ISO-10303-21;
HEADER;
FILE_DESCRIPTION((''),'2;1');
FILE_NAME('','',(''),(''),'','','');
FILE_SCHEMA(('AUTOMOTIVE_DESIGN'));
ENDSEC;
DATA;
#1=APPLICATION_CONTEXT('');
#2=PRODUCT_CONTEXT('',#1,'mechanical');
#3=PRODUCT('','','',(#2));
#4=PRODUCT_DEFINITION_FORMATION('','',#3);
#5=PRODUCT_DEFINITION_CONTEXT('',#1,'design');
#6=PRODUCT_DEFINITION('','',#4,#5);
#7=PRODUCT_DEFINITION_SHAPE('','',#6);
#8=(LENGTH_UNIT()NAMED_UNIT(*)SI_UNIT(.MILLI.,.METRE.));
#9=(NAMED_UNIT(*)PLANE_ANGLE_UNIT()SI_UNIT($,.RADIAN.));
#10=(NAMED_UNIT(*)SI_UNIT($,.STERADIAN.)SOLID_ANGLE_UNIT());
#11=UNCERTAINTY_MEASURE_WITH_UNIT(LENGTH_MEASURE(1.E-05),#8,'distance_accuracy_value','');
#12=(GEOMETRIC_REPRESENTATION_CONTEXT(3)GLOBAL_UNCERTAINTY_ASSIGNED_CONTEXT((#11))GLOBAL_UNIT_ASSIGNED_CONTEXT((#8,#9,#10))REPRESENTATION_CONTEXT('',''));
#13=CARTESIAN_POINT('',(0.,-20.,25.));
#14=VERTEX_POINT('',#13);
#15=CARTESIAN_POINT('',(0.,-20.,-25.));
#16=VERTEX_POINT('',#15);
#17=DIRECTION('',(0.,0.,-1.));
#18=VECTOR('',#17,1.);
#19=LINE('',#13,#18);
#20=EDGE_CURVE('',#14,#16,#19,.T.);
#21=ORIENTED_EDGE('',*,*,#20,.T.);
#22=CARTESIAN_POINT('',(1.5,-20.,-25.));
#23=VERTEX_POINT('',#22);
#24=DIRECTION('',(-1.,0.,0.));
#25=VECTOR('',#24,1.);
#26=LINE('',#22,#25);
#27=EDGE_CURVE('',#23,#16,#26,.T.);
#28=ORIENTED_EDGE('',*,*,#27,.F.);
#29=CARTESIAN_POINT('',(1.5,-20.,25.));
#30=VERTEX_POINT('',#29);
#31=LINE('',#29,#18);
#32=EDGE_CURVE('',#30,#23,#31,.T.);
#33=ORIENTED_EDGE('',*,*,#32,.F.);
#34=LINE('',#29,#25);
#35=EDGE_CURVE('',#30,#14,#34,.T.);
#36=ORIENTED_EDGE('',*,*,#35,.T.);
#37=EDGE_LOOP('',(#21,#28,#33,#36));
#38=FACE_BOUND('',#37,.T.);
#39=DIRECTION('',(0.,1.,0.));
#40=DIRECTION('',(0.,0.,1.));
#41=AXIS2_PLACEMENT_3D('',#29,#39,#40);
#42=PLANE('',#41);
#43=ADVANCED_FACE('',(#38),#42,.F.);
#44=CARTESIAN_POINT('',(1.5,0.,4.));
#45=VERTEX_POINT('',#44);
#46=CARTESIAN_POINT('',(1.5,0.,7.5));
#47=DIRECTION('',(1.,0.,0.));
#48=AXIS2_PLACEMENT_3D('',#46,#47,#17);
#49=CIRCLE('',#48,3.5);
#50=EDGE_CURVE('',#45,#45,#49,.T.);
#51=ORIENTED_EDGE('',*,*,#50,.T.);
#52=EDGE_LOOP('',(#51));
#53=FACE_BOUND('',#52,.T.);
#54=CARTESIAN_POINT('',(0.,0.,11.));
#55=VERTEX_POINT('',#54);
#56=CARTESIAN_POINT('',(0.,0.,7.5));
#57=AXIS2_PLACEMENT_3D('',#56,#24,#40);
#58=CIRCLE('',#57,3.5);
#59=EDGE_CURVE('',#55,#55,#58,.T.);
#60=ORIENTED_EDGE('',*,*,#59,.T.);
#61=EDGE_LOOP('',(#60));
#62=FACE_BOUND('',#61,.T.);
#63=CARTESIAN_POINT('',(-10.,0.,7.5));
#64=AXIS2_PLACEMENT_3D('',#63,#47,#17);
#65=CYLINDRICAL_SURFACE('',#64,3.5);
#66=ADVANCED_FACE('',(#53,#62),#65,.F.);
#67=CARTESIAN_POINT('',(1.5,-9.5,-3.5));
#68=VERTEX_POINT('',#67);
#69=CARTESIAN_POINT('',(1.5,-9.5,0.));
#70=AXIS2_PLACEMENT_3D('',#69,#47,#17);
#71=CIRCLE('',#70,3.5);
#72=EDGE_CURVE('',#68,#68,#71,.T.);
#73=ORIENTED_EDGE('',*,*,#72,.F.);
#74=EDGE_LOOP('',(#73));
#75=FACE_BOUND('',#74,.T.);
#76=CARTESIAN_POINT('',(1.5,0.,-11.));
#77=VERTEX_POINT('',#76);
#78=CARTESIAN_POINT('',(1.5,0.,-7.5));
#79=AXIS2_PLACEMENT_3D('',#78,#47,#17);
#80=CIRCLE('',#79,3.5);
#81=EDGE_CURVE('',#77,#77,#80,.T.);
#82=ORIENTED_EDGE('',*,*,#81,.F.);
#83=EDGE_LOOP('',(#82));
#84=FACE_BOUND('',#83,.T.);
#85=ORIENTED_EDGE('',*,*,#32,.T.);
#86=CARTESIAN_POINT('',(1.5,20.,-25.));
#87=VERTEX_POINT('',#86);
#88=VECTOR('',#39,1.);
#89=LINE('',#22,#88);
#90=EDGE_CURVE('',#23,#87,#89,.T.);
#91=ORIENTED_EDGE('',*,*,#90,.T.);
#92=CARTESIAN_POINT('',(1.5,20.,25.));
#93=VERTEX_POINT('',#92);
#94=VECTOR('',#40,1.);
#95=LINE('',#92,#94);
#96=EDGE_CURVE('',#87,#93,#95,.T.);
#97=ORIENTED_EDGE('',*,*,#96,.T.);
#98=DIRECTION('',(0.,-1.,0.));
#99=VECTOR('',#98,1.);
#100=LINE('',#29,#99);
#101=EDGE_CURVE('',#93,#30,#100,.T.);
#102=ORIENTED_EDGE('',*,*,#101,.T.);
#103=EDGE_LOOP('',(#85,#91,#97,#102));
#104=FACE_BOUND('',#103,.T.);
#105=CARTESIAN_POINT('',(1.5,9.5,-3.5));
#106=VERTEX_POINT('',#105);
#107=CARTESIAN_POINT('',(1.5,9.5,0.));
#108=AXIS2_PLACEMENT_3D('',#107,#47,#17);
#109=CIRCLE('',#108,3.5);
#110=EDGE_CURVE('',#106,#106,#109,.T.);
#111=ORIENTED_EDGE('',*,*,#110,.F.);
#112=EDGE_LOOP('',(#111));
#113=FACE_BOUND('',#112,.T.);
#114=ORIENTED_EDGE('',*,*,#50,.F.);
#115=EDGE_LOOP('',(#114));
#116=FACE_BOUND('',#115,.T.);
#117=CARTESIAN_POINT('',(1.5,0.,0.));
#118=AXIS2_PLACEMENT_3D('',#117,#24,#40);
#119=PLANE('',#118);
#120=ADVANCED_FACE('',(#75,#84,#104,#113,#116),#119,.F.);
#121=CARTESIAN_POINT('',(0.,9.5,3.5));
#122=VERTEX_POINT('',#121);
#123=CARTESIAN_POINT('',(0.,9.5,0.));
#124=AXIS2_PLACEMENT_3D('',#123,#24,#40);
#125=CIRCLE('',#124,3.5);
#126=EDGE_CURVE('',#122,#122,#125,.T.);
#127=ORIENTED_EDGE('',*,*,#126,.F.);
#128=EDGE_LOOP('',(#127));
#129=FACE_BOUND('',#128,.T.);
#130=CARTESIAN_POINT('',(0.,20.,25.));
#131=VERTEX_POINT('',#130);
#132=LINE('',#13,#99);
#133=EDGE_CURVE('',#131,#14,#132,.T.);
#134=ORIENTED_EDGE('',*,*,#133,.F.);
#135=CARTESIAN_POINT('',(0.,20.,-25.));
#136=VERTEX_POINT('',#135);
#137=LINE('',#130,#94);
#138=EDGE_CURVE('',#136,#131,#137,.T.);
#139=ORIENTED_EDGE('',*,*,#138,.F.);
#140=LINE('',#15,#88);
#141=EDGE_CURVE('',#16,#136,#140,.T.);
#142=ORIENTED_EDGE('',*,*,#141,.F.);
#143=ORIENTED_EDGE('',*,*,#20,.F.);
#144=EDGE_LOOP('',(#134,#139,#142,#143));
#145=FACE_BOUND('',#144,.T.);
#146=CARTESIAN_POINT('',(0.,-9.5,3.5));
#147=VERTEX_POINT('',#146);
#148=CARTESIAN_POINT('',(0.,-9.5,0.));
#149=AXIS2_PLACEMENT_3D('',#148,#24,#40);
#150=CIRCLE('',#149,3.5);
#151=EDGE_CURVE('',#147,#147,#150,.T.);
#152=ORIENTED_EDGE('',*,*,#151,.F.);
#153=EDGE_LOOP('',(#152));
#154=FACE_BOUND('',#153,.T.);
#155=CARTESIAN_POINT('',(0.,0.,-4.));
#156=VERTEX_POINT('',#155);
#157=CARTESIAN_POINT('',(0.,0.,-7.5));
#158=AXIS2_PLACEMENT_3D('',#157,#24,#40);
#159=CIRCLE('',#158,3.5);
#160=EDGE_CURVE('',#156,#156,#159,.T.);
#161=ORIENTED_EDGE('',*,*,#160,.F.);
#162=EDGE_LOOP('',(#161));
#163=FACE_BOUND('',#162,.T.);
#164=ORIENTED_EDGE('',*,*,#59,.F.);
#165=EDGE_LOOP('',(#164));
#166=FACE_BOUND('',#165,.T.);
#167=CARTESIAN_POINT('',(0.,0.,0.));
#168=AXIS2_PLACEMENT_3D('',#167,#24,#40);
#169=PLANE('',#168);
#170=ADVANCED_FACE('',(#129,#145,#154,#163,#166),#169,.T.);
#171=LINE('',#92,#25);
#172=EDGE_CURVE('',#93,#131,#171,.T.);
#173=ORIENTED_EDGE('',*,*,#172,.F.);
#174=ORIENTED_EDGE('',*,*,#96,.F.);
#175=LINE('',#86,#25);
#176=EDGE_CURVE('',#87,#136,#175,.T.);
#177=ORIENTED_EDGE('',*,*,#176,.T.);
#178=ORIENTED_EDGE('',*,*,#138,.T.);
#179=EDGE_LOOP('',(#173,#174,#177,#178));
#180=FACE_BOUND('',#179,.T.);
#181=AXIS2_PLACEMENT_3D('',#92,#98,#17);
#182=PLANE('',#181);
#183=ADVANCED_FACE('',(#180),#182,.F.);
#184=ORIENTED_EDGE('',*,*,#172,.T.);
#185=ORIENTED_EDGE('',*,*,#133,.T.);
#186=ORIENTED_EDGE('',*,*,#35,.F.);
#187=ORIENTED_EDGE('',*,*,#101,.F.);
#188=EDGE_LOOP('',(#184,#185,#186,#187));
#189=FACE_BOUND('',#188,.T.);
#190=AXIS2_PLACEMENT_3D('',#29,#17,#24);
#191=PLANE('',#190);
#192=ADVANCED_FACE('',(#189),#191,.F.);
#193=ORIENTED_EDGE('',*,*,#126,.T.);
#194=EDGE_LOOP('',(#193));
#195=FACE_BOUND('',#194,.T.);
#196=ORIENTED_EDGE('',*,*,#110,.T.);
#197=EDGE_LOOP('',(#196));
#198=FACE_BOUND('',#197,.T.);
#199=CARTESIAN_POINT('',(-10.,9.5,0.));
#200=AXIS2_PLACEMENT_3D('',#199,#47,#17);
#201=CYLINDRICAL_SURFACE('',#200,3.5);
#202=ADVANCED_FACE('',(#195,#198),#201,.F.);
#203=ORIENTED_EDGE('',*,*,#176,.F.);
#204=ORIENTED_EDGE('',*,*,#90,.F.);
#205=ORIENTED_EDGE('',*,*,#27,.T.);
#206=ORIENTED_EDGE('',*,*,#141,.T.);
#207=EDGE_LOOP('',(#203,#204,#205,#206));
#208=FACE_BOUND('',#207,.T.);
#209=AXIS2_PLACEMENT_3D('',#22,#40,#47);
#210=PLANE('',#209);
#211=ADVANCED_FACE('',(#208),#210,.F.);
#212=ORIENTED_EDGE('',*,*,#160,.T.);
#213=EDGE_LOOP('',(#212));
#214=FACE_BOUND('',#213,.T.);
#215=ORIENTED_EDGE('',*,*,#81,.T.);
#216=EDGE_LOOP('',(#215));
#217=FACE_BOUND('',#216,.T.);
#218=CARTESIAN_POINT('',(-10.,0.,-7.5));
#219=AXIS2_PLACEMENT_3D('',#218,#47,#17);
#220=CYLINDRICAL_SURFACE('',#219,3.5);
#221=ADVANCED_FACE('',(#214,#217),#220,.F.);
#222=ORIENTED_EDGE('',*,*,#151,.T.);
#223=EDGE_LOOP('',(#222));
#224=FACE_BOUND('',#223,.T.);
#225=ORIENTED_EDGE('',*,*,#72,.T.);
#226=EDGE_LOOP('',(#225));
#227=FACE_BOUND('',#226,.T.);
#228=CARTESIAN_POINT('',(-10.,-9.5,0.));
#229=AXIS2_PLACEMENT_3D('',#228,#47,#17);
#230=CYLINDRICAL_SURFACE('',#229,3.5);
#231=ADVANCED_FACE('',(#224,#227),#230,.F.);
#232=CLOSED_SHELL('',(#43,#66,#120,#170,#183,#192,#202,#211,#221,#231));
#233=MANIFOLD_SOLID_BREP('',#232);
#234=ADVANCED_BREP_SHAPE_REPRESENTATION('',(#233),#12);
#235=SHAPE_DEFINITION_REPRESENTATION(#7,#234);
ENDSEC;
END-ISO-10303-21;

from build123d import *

# Parameters (mm, degrees)
SKETCH1_W           = 50
SKETCH1_H           = 40
BOSS_EXTRUDE1_DEPTH = 1.5
SKETCH2_R           = 3.5
CUT_EXTRUDE1_DEPTH  = 11.5


with BuildPart() as part:
    # Sketch1 → Boss-Extrude1 (new body)
    with BuildSketch(Plane(origin=(0, 0, 0), x_dir=(0, 0, -1), z_dir=(1, 0, 0))):
        Rectangle(SKETCH1_W, SKETCH1_H)
    extrude(amount=BOSS_EXTRUDE1_DEPTH)

    # Sketch2 → Cut-Extrude1 (cut)
    with BuildSketch(Plane(origin=(1.5, 0, 0), x_dir=(0, 0, -1), z_dir=(1, 0, 0))):
        with Locations((0, 9.5)):
            Circle(SKETCH2_R)
        with Locations((0, -9.5)):
            Circle(SKETCH2_R)
        with Locations((7.5, 0)):
            Circle(SKETCH2_R)
        with Locations((-7.5, 0)):
            Circle(SKETCH2_R)
    extrude(amount=-CUT_EXTRUDE1_DEPTH, mode=Mode.SUBTRACT)


solid = part.part
